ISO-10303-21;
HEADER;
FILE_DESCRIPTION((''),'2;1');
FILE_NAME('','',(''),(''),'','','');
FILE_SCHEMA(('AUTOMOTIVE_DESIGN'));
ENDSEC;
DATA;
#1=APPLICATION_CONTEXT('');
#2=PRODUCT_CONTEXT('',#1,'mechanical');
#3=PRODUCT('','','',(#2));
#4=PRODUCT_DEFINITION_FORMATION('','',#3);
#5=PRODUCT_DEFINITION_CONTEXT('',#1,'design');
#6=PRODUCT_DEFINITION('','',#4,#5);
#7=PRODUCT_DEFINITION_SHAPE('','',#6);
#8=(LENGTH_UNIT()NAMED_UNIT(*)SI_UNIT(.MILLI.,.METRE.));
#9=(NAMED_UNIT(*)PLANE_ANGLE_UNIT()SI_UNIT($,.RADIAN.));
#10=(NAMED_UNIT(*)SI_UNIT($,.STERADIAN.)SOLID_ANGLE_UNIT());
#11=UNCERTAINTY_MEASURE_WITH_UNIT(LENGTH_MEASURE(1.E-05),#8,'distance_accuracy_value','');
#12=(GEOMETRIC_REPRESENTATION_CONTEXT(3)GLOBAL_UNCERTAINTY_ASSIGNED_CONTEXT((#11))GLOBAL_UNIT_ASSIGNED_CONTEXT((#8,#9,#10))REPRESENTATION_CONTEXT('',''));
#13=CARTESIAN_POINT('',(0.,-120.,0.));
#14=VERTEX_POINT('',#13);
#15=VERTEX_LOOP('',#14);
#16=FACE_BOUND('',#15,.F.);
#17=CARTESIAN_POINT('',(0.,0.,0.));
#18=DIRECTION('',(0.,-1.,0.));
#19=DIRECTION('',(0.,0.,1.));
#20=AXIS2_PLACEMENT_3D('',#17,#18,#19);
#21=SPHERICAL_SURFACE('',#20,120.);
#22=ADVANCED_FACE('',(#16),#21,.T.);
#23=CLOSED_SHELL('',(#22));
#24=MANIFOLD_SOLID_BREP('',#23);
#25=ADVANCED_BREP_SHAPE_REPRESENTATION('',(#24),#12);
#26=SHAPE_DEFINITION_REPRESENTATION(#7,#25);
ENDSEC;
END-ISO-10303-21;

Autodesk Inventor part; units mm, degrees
ref_plane "YZ Plane" through (0, 0, 0) normal (1, 0, 0) x (0, 1, 0)
ref_plane "XZ Plane" through (0, 0, 0) normal (0, 1, 0) x (-1, 0, 0)
ref_plane "XY Plane" through (0, 0, 0) normal (0, 0, 1) x (1, 0, 0)
sketch "スケッチ1" plane through (0, 0, 0) normal (1, 0, 0) x (0, 1, 0)
  circle A0 centre (0, 0) radius 120
  line L0 (-120, 0) -> (120, 0)
  dimension "d0" = 240
revolve "回転1" add sketch "スケッチ1" angle 360 about axis through (0, -120, 0) along (0, 1, 0) picked at (29.1587, 27.3819) contours L0 A0
properties part number "basket-ball" material "アルミニウム 6061"
